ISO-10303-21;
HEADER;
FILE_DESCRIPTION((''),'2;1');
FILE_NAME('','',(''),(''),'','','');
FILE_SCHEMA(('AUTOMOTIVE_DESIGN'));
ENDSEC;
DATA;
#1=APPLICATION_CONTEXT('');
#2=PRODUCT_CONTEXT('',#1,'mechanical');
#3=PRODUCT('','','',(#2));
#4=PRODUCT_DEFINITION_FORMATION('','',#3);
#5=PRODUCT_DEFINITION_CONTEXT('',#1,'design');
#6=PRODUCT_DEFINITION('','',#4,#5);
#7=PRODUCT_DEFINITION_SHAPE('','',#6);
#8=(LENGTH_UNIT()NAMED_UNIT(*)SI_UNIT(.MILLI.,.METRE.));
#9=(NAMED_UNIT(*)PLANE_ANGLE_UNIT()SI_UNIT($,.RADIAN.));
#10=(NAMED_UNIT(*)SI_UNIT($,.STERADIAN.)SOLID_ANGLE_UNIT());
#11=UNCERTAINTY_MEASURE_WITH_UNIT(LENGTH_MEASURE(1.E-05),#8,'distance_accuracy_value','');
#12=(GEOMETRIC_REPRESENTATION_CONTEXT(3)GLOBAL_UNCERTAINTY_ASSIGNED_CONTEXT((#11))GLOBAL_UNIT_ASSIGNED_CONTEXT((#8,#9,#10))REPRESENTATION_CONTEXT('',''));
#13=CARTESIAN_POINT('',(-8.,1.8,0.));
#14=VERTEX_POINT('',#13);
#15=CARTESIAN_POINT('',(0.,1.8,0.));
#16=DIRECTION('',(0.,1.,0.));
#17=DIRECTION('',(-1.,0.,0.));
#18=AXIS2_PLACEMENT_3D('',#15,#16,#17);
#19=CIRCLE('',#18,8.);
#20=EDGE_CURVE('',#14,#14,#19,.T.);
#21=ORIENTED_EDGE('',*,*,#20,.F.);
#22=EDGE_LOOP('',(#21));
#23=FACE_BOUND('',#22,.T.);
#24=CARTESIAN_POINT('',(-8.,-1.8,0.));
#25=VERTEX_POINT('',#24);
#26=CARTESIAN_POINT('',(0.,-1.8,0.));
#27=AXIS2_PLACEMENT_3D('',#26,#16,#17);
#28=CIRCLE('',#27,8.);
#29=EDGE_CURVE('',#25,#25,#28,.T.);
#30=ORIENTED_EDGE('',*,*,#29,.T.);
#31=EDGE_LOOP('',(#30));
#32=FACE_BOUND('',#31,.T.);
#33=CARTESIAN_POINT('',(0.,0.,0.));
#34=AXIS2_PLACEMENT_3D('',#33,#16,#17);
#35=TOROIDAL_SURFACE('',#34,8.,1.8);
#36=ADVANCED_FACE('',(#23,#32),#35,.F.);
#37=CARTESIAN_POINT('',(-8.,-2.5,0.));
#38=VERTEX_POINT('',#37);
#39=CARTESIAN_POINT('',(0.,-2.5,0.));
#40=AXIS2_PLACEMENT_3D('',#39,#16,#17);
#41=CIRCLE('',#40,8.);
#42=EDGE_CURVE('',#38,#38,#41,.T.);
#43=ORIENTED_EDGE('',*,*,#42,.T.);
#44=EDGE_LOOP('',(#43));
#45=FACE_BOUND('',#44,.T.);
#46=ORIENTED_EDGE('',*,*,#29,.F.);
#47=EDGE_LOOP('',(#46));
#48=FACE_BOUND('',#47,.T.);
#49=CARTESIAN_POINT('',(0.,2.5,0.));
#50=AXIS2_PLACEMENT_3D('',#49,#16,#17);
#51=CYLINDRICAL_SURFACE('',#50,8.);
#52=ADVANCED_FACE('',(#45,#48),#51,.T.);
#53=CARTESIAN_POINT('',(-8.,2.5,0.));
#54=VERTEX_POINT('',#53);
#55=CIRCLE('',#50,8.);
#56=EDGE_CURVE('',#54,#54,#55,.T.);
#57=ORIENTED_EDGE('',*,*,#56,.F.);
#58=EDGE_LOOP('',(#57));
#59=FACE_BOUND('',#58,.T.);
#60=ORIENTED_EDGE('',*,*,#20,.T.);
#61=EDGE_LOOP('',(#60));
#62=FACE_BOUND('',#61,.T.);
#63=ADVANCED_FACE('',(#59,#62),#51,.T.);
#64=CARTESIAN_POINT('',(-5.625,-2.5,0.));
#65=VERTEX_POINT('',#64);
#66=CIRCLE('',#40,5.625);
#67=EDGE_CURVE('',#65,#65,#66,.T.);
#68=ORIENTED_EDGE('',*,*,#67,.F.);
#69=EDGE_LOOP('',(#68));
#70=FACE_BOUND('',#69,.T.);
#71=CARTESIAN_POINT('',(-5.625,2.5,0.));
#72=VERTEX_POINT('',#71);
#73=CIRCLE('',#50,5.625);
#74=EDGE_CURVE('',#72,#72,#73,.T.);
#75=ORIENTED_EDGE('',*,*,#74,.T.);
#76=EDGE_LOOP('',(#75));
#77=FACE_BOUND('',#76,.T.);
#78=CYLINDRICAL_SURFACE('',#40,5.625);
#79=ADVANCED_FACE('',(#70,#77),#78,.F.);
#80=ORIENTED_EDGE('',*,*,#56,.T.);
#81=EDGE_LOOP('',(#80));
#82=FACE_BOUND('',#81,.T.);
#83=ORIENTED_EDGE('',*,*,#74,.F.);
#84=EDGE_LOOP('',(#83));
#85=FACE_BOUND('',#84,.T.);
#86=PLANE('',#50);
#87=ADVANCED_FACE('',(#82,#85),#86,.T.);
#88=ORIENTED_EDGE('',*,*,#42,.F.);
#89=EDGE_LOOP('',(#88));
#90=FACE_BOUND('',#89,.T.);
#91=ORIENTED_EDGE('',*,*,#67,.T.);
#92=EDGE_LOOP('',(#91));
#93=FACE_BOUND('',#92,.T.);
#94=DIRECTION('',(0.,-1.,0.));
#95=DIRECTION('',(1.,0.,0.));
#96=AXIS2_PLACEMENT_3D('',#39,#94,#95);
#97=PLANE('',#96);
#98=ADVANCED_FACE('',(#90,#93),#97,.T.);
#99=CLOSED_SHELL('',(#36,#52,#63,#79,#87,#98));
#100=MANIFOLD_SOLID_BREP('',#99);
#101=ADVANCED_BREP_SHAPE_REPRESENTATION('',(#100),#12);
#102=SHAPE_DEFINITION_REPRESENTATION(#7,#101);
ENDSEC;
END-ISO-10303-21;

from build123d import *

# Parameters (mm, degrees)
SKETCH2_R          = 5.625
CUT_EXTRUDE1_DEPTH = 13.369316877


with BuildPart() as part:
    # Sketch1 → Revolve1 (revolve)
    with BuildSketch(Plane.XY):
        with BuildLine():
            Line((-8, -1.8), (-8, -2.5))
            Line((-8, -2.5), (0, -2.5))
            Line((0, -2.5), (0, 2.5))
            Line((0, 2.5), (-8, 2.5))
            Line((-8, 2.5), (-8, 1.8))
            ThreePointArc((-8, 1.8), (-6.2, 0), (-8, -1.8))
        make_face()
    revolve(axis=Axis((0, 2.5, 0), (0, -1, 0)))

    # Sketch2 → Cut-Extrude1 (cut, through all)
    with BuildSketch(Plane(origin=(0, 2.5, 0), x_dir=(1, 0, 0), z_dir=(0, 1, 0))):
        Circle(SKETCH2_R)
    extrude(amount=-CUT_EXTRUDE1_DEPTH, mode=Mode.SUBTRACT)


solid = part.part
